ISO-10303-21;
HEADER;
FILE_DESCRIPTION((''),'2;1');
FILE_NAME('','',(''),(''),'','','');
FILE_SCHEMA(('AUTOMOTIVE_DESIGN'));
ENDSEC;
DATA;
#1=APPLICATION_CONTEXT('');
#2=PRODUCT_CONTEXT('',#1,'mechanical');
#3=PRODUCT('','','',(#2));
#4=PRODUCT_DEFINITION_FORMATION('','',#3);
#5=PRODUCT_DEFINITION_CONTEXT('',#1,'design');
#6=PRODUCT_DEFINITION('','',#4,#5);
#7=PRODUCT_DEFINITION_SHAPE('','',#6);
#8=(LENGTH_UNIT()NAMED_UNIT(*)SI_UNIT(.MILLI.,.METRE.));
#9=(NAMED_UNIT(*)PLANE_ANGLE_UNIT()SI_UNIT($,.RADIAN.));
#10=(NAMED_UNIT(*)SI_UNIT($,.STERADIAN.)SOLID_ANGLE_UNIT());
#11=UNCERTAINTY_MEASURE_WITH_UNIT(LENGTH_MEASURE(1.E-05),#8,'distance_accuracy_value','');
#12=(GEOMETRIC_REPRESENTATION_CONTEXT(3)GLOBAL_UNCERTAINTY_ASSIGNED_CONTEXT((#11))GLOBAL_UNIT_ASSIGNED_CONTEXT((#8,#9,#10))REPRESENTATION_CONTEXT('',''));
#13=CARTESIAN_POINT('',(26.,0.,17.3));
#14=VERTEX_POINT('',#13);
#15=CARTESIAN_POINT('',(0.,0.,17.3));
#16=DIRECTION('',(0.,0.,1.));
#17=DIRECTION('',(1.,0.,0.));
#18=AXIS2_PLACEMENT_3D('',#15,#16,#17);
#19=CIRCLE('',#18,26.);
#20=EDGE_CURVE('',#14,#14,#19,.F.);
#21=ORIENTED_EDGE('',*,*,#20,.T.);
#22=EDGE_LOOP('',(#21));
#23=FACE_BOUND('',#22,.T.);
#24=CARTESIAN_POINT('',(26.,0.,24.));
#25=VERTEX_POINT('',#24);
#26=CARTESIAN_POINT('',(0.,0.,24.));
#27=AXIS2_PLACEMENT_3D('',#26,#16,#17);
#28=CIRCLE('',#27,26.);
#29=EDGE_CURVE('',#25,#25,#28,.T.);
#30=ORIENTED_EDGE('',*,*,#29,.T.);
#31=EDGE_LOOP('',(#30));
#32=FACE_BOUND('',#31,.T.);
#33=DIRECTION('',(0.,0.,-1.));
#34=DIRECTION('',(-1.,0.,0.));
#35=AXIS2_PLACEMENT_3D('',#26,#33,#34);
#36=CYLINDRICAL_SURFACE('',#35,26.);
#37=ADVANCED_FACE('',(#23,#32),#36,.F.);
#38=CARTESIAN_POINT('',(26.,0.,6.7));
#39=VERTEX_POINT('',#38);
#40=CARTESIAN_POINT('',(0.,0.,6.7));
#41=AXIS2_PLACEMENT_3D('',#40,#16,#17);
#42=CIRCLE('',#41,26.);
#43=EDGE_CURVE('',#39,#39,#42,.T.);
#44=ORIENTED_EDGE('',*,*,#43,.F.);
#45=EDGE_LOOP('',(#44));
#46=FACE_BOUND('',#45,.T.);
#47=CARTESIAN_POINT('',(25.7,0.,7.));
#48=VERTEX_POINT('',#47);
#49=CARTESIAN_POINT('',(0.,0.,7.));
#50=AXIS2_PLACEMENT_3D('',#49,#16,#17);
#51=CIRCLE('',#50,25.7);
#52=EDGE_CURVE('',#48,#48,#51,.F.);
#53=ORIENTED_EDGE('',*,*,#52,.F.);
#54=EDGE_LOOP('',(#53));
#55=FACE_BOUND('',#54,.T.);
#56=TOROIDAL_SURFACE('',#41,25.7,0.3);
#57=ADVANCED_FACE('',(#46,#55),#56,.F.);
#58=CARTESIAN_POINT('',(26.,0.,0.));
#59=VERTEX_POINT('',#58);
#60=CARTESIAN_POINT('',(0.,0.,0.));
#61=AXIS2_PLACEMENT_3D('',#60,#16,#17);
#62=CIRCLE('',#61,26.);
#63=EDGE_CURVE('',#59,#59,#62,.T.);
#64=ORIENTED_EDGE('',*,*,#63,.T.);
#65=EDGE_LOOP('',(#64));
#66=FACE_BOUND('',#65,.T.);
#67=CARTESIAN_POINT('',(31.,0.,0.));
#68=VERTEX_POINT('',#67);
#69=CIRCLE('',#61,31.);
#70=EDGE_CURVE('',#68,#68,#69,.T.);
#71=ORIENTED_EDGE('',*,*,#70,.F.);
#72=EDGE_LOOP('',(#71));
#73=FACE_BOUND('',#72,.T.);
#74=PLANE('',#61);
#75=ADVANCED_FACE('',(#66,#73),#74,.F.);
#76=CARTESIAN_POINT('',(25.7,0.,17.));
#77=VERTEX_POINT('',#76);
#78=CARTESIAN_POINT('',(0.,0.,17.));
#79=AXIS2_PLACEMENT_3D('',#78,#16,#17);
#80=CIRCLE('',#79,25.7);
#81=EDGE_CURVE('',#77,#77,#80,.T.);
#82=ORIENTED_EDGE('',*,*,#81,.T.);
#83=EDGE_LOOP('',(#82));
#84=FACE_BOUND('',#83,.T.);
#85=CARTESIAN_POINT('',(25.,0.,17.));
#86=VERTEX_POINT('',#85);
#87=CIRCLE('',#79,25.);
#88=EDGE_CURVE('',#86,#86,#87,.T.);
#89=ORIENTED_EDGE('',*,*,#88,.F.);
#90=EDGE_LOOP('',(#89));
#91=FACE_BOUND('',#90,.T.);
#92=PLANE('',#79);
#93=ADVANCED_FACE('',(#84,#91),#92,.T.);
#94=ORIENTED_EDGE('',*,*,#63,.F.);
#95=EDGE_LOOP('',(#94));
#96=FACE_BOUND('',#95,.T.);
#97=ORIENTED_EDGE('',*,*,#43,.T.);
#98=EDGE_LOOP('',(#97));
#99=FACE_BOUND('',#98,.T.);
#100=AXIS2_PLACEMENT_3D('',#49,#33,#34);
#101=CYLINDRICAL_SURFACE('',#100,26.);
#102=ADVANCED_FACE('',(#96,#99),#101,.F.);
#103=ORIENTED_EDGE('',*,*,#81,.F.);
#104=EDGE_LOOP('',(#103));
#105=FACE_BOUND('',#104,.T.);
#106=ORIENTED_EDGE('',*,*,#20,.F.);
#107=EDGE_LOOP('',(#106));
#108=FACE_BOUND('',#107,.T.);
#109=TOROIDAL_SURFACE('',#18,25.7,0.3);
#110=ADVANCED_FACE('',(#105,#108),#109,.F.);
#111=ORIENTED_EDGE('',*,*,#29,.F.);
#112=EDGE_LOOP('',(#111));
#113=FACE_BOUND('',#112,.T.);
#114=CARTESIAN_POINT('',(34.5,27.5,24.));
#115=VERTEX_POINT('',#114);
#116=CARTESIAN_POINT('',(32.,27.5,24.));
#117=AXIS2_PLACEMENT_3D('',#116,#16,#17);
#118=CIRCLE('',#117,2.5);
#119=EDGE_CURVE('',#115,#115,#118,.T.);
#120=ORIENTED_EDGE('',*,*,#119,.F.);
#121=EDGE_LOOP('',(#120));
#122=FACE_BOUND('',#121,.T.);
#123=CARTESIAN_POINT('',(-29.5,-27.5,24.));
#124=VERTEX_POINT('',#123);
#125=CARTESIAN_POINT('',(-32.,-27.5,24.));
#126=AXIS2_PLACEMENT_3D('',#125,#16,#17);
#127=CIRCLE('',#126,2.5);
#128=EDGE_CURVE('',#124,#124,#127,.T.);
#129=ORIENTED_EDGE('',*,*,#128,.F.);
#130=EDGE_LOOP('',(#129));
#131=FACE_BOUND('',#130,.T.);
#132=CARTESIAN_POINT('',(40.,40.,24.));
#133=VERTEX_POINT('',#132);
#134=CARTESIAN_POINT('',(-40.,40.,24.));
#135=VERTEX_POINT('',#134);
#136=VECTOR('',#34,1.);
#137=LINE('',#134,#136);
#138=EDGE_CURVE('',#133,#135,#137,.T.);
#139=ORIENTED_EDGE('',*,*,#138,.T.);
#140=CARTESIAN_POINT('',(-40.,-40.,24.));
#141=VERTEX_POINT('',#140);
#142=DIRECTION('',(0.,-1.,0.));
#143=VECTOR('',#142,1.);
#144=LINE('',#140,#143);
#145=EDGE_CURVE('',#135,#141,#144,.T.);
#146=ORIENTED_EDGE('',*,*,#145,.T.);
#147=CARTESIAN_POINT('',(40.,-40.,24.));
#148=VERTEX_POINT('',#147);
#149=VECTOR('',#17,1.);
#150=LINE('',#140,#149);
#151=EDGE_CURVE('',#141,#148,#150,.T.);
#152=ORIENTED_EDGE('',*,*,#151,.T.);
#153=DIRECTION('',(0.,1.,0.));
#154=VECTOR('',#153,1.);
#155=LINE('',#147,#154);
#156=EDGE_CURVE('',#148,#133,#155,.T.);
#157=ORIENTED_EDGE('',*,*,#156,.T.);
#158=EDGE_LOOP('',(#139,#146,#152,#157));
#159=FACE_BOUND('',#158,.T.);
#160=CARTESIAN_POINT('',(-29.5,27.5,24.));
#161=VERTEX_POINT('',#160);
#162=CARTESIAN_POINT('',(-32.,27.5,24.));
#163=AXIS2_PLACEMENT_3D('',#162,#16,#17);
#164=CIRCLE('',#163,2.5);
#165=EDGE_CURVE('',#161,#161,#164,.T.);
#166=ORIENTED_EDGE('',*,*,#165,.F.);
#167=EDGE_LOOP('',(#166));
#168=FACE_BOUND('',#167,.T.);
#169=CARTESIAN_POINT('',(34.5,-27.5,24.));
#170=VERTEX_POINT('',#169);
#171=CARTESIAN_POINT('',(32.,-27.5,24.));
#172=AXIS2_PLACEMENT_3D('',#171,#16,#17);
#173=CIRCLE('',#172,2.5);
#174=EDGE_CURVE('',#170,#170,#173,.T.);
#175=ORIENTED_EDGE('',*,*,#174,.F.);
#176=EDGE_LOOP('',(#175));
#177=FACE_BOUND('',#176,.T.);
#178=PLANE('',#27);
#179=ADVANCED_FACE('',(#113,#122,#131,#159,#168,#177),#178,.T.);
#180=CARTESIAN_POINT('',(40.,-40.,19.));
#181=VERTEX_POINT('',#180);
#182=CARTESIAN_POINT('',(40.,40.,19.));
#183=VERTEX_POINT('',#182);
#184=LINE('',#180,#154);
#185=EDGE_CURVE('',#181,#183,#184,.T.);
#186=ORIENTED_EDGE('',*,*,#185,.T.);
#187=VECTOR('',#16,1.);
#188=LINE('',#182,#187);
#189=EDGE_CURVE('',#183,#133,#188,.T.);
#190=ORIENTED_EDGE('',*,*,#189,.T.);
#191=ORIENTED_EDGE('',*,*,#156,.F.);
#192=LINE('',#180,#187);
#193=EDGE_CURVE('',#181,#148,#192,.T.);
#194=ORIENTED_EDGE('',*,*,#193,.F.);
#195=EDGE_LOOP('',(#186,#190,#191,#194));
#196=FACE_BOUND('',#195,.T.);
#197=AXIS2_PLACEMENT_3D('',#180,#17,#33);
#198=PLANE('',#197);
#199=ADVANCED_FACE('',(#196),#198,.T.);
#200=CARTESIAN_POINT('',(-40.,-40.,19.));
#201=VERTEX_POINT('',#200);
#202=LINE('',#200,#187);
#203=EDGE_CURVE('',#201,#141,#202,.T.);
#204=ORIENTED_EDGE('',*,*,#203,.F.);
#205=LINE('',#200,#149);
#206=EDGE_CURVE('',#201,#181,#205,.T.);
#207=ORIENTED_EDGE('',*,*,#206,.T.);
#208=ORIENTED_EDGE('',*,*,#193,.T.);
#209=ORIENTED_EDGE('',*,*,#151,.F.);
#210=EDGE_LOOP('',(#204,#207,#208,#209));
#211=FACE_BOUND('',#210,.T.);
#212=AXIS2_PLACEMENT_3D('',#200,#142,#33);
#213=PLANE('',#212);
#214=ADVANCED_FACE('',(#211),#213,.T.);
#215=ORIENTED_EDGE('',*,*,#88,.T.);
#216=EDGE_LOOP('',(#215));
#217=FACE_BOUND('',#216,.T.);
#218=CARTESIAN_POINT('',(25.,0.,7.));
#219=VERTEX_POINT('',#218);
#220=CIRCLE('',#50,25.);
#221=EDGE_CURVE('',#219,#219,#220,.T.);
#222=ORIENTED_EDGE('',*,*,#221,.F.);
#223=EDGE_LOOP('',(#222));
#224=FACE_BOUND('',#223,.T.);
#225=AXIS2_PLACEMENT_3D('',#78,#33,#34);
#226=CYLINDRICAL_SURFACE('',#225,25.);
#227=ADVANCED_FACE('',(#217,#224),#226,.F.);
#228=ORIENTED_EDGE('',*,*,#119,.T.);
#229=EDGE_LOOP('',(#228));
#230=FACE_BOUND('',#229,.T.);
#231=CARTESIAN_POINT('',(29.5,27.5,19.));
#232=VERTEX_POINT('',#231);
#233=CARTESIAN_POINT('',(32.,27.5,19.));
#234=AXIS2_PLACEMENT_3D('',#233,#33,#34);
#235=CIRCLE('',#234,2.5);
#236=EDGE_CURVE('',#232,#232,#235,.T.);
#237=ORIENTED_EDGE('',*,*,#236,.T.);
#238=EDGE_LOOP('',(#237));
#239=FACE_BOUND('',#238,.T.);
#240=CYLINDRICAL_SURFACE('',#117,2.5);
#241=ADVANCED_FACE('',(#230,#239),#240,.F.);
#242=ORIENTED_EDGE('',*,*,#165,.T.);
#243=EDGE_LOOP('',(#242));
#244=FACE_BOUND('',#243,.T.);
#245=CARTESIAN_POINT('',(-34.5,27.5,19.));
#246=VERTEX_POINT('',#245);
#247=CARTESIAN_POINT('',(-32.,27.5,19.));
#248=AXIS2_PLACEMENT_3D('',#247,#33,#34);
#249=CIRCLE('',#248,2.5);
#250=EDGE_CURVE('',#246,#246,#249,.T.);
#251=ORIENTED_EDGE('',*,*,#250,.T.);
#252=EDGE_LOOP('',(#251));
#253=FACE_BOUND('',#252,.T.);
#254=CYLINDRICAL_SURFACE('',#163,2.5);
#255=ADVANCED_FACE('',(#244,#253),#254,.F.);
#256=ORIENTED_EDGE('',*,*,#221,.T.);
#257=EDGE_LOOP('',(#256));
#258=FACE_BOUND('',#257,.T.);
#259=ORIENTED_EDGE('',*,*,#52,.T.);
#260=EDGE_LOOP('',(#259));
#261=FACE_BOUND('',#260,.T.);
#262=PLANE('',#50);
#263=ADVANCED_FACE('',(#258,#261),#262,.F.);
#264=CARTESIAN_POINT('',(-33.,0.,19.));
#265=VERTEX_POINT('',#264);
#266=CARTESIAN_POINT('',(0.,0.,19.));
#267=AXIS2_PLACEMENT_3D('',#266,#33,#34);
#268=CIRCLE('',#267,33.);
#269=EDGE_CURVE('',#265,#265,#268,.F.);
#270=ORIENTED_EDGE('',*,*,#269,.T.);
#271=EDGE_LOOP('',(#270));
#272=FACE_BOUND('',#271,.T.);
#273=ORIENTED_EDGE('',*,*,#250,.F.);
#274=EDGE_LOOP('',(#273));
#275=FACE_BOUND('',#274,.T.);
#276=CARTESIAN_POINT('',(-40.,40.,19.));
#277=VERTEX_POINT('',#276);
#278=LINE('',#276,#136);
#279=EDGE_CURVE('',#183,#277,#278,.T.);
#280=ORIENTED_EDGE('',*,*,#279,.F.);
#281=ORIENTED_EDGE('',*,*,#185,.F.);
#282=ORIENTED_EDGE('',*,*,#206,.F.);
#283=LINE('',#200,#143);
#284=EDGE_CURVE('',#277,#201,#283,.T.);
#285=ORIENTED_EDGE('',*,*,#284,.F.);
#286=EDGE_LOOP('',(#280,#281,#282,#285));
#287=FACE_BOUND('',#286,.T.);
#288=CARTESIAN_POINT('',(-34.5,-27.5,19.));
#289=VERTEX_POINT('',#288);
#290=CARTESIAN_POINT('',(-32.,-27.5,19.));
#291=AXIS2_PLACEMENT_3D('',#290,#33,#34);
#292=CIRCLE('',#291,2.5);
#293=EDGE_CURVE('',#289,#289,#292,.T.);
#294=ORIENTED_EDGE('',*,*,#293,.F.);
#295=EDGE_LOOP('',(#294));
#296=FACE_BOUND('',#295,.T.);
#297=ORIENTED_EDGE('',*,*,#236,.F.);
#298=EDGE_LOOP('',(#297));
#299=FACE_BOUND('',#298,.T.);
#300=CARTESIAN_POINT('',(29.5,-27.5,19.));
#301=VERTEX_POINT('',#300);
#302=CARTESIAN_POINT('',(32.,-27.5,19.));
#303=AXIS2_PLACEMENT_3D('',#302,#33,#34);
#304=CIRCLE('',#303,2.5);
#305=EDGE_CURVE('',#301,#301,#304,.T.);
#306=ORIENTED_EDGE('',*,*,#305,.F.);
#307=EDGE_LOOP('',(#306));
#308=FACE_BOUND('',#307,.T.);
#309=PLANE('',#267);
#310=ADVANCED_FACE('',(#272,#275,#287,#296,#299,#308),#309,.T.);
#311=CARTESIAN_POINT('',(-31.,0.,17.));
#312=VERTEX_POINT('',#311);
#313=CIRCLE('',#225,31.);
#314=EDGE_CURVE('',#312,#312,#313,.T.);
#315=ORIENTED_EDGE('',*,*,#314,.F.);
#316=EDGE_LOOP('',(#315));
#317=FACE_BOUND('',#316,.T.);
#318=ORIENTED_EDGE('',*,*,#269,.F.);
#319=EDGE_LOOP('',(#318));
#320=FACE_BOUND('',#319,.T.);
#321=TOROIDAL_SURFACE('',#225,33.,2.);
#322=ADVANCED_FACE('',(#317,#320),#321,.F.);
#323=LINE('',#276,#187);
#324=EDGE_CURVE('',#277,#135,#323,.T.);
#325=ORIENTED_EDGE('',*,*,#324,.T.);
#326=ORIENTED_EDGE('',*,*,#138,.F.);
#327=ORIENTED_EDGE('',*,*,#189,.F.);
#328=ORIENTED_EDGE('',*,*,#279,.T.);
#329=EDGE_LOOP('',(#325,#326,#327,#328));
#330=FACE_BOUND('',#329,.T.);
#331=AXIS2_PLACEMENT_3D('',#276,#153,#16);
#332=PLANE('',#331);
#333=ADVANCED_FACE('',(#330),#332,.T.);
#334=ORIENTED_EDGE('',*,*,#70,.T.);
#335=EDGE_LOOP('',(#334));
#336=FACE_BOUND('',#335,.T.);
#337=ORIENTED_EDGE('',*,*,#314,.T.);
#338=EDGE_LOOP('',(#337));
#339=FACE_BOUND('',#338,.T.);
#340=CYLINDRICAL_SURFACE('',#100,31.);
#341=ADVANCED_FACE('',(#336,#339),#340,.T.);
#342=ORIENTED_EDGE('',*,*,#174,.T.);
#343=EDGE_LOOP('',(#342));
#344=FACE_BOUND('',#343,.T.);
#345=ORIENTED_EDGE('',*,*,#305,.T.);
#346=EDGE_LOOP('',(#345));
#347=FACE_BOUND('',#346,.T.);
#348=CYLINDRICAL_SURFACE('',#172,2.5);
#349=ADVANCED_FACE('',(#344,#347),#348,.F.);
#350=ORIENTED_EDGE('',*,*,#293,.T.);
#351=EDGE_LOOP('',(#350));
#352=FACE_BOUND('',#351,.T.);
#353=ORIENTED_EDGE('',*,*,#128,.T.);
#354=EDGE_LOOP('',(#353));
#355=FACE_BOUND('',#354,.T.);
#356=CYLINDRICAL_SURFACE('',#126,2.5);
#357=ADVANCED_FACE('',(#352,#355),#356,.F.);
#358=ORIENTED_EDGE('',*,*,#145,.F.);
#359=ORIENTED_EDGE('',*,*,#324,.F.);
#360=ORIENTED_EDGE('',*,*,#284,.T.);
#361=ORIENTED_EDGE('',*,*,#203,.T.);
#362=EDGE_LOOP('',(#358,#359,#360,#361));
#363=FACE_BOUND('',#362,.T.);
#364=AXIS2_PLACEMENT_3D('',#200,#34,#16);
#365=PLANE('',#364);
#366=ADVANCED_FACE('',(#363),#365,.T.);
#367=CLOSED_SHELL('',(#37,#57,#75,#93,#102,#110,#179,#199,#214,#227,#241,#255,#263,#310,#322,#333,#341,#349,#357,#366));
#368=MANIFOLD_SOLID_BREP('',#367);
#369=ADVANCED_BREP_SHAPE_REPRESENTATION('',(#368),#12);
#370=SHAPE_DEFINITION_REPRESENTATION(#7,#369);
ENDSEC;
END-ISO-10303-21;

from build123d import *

# Parameters (mm, degrees)
SKETCH1_R             = 31
SKETCH1_R_2           = 26
BOSS_EXTRUDE1_DEPTH   = 7
SKETCH2_R             = 31
SKETCH2_R_2           = 25
BOSS_EXTRUDE3_DEPTH   = 10
SKETCH3_R             = 31
SKETCH3_R_2           = 26
BOSS_EXTRUDE4_DEPTH   = 7
FILLET1_R             = 0.3
SKETCH4_W             = 80
SKETCH4_H             = 80
SKETCH4_R             = 31
BOSS_EXTRUDE5_DEPTH   = 5
FILLET2_R             = 2
M6X1_0_TAPPED_HOLE1_D = 5


with BuildPart() as part:
    # Sketch1 → Boss-Extrude1 (new body)
    with BuildSketch(Plane.XY):
        Circle(SKETCH1_R)
        Circle(SKETCH1_R_2, mode=Mode.SUBTRACT)
    extrude(amount=BOSS_EXTRUDE1_DEPTH)

    # Sketch2 → Boss-Extrude3 (add)
    with BuildSketch(Plane.XY.offset(7)):
        Circle(SKETCH2_R)
        Circle(SKETCH2_R_2, mode=Mode.SUBTRACT)
    extrude(amount=BOSS_EXTRUDE3_DEPTH)

    # Sketch3 → Boss-Extrude4 (add)
    with BuildSketch(Plane.XY.offset(17)):
        Circle(SKETCH3_R)
        Circle(SKETCH3_R_2, mode=Mode.SUBTRACT)
    extrude(amount=BOSS_EXTRUDE4_DEPTH)

    # Fillet1
    fillet1_edges = [part.edges().sort_by_distance(p)[0] for p in [
        (-26, 0, 7),
        (-26, 0, 17),
    ]]
    fillet(fillet1_edges, radius=FILLET1_R)

    # Sketch4 → Boss-Extrude5 (add)
    with BuildSketch(Plane.XY.offset(24)):
        Rectangle(SKETCH4_W, SKETCH4_H)
        Circle(SKETCH4_R, mode=Mode.SUBTRACT)
    extrude(amount=-BOSS_EXTRUDE5_DEPTH)

    # Fillet2
    fillet2_edges = [part.edges().sort_by_distance(p)[0] for p in [
        (-31, 0, 19),
    ]]
    fillet(fillet2_edges, radius=FILLET2_R)

    # M6x1.0 Tapped Hole1 (through all)
    with Locations(Plane.XY.offset(24)):
        with Locations((-32, 27.5), (32, 27.5), (32, -27.5), (-32, -27.5)):
            Hole(M6X1_0_TAPPED_HOLE1_D / 2)


solid = part.part
